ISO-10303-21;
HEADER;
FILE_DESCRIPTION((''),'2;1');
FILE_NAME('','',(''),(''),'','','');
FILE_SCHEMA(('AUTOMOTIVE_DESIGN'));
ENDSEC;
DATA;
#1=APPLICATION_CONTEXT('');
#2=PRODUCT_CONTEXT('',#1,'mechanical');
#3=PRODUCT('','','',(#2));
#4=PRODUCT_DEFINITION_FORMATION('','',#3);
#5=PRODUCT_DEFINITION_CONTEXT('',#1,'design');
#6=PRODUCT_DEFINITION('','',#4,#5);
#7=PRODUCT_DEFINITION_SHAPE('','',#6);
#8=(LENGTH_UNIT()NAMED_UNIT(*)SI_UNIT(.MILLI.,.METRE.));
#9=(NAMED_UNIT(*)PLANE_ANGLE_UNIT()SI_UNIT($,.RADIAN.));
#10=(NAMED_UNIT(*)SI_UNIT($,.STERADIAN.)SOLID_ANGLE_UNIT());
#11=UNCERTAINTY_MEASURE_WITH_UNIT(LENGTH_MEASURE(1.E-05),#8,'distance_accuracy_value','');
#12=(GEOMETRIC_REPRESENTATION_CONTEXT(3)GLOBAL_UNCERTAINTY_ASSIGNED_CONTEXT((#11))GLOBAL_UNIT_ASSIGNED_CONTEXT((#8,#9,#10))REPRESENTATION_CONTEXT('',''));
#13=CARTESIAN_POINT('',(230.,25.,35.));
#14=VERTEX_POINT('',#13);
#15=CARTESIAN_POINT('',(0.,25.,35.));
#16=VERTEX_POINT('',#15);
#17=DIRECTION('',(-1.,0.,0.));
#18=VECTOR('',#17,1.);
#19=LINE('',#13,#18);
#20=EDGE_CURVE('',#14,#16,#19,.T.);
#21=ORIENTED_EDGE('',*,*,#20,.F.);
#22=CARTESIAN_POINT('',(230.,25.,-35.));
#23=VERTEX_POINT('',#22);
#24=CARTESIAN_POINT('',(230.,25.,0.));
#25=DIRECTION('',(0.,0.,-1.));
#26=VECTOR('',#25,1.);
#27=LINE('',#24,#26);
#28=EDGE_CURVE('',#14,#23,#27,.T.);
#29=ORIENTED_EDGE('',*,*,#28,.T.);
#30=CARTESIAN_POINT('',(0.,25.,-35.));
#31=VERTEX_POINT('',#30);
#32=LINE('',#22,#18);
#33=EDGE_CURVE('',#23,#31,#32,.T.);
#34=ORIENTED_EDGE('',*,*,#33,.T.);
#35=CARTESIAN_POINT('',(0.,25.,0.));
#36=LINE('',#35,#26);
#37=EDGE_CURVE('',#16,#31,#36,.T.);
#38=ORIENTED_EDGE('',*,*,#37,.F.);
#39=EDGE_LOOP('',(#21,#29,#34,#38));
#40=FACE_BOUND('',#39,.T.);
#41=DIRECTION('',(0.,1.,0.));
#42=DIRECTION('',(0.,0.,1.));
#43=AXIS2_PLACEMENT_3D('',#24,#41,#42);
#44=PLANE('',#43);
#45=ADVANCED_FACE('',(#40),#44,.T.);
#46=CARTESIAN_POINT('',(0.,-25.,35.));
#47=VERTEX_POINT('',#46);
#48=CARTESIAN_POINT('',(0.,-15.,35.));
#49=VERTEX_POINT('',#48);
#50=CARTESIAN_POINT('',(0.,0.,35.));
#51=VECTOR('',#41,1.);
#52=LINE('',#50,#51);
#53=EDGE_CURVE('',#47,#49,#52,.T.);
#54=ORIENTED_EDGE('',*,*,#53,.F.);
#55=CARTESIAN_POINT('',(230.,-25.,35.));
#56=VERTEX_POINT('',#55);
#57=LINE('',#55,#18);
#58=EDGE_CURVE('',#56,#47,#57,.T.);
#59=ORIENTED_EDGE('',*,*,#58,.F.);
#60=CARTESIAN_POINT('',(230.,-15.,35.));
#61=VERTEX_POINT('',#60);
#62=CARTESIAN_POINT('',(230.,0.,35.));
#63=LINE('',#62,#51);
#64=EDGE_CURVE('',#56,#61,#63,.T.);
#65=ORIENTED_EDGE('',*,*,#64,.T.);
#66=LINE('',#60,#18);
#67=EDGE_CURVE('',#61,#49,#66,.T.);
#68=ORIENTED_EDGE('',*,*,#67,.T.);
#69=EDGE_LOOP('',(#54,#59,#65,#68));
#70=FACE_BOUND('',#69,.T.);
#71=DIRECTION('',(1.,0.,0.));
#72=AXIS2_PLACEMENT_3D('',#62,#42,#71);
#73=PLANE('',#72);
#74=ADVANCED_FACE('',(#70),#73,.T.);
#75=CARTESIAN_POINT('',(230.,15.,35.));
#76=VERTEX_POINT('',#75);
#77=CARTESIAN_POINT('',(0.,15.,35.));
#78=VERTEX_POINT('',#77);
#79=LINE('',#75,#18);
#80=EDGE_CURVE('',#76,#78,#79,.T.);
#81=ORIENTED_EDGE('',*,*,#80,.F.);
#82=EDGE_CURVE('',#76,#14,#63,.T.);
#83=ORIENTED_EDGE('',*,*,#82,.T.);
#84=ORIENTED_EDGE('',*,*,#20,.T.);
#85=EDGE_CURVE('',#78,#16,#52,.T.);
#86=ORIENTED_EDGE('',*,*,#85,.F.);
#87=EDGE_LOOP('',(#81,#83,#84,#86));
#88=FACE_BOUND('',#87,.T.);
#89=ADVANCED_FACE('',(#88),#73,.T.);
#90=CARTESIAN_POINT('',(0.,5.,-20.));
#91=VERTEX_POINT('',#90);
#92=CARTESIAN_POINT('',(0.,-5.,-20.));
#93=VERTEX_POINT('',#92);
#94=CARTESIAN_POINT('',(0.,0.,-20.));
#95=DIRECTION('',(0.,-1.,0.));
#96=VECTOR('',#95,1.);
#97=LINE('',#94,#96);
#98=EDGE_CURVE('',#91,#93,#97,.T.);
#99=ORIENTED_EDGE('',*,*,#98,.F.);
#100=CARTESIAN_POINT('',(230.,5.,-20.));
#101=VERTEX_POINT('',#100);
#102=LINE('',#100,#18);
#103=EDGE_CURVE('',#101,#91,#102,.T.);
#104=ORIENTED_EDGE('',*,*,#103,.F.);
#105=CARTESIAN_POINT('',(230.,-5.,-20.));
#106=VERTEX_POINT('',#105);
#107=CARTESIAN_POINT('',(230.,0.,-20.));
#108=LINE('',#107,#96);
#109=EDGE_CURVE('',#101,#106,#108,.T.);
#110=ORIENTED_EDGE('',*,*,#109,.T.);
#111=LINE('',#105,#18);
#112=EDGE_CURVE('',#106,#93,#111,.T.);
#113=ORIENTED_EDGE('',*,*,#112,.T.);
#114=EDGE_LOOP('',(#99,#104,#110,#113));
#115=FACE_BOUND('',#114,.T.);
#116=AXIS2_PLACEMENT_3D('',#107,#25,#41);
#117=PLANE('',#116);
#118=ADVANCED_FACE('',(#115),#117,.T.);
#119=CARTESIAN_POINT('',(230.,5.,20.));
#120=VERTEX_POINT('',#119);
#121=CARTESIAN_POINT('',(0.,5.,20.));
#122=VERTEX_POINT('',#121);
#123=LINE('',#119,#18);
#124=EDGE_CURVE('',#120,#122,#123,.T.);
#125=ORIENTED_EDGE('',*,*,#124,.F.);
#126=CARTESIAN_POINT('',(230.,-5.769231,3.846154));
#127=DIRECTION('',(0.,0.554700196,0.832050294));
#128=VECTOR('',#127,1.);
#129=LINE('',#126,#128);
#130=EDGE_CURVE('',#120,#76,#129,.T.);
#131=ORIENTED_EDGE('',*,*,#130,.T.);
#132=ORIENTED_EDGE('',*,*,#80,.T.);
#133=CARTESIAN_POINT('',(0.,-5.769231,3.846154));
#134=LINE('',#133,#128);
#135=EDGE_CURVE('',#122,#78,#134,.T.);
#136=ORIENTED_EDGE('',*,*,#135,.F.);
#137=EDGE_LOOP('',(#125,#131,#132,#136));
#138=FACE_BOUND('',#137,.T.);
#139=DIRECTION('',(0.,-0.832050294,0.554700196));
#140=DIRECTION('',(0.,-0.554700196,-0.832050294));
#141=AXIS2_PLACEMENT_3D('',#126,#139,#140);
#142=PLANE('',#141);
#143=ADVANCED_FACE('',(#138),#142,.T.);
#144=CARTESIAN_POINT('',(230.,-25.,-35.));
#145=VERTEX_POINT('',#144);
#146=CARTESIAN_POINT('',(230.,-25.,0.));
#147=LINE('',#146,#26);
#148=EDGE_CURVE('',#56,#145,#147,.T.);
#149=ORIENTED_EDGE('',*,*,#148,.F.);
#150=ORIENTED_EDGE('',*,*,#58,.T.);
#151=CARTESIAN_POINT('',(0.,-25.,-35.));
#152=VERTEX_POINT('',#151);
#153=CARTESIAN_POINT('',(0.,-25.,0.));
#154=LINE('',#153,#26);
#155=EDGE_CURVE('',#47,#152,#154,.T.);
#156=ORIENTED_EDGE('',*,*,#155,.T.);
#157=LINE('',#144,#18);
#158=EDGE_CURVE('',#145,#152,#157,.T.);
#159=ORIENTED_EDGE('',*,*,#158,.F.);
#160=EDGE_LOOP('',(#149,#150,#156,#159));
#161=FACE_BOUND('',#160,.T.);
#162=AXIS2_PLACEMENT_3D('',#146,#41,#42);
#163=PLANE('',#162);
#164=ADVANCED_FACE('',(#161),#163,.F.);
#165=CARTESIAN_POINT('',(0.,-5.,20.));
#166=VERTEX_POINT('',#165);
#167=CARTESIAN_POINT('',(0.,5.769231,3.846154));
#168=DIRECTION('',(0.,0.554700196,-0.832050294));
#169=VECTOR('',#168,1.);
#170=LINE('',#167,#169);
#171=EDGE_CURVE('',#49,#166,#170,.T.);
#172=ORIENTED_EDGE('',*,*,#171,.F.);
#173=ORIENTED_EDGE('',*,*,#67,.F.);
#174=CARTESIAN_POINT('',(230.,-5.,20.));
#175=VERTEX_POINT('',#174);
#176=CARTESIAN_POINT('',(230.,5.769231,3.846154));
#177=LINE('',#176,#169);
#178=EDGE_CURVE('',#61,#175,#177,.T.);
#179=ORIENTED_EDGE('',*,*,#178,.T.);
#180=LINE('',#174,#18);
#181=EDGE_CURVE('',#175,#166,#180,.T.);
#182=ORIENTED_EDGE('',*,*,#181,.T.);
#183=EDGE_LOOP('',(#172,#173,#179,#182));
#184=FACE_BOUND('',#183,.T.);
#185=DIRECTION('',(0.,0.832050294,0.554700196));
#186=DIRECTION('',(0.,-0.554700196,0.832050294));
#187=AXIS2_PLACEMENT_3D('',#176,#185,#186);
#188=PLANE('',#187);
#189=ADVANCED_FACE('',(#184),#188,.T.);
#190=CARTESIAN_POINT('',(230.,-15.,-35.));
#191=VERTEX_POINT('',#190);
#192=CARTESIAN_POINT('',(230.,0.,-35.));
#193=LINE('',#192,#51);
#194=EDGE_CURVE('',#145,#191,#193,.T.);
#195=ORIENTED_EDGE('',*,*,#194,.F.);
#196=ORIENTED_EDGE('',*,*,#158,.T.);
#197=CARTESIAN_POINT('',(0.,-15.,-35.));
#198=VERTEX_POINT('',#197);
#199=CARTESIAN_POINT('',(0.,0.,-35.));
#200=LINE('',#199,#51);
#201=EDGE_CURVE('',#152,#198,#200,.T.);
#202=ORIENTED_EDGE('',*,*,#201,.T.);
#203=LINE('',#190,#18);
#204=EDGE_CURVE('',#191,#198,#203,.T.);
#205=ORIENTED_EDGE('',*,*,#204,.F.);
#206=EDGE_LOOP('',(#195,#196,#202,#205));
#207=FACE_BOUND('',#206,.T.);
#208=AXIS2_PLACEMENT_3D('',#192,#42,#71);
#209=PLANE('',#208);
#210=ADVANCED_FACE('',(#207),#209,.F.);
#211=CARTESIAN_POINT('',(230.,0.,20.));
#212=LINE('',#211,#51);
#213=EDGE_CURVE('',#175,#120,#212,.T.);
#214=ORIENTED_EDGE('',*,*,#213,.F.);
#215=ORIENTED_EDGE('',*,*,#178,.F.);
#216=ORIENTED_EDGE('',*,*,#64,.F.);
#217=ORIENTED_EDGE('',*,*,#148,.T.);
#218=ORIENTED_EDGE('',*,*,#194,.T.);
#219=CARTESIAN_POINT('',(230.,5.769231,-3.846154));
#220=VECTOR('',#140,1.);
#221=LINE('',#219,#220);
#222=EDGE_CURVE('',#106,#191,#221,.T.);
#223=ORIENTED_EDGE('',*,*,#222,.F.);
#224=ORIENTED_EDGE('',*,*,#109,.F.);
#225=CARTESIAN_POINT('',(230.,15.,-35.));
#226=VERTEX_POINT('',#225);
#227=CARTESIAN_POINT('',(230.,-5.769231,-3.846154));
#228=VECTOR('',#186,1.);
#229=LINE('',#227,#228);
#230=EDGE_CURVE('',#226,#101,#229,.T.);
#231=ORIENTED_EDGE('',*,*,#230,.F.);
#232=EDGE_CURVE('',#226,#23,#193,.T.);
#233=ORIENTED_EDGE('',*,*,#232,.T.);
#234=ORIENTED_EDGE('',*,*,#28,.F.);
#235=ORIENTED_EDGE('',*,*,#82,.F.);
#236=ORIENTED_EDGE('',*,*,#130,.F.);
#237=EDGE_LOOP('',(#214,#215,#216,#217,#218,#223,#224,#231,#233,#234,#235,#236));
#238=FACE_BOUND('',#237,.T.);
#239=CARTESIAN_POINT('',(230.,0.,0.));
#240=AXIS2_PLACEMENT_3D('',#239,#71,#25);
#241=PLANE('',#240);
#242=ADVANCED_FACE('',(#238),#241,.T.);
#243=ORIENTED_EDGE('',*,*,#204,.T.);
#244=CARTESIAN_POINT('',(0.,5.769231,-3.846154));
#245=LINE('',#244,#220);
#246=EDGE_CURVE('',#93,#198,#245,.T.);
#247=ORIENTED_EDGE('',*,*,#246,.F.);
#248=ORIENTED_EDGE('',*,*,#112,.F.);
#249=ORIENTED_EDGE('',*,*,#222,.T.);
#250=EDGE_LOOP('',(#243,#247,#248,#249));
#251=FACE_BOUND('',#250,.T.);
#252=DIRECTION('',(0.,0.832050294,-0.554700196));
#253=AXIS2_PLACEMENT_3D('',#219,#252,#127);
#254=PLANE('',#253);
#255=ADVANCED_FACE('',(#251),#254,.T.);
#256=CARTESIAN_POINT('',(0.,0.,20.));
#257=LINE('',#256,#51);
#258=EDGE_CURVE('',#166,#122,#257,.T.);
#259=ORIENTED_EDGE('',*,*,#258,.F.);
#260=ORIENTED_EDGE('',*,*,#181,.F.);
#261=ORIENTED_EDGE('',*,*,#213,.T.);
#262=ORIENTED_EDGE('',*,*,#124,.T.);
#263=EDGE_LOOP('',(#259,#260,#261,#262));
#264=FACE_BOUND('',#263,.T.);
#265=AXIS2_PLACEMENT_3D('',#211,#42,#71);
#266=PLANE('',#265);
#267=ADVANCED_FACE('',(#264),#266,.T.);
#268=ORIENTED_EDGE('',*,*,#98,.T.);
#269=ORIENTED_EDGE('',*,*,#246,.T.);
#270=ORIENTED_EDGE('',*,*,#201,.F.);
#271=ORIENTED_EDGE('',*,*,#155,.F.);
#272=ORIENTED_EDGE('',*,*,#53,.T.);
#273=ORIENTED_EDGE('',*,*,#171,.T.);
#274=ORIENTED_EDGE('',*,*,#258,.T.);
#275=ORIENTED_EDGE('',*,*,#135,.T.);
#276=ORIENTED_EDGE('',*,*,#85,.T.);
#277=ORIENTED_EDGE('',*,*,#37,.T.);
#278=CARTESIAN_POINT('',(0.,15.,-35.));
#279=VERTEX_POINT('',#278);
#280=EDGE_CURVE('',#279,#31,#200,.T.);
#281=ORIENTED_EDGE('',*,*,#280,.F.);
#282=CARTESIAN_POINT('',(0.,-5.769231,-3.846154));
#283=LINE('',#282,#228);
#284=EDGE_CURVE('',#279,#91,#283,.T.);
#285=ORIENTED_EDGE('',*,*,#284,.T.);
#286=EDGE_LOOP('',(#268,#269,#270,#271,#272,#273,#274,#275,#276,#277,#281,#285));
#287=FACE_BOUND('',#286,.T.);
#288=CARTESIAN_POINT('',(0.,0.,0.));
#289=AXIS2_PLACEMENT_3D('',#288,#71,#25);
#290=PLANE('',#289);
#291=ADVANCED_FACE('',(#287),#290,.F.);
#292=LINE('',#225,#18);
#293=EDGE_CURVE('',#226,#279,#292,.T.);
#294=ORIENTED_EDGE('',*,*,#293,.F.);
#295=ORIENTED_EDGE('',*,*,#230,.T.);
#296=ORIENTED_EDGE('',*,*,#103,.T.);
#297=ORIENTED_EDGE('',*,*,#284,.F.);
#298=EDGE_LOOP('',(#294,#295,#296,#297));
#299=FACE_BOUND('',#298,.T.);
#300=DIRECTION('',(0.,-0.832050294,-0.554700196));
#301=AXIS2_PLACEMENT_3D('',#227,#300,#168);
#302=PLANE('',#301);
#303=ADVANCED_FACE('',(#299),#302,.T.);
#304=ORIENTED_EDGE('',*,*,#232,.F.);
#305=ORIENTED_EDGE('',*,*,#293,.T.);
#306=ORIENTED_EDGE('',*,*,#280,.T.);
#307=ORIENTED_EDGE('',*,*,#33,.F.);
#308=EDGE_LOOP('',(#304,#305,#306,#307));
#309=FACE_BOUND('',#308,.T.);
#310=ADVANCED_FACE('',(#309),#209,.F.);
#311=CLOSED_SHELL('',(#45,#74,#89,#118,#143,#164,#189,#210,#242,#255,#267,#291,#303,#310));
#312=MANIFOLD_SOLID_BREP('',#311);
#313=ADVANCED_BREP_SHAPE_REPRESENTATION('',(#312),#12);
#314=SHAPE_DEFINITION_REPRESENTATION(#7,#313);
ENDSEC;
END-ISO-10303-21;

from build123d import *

# Parameters (mm, degrees)
SALIENTE_EXTRUIR1_DEPTH = 230


with BuildPart() as part:
    # Croquis1 → Saliente-Extruir1 (new body)
    with BuildSketch(Plane(origin=(0, 0, 0), x_dir=(0, 0, -1), z_dir=(1, 0, 0))):
        Polygon((-20, -5), (-35, -15), (-35, -25), (35, -25), (35, -15), (20, -5), (20, 5), (35, 15), (35, 25), (-35, 25), (-35, 15), (-20, 5), align=None)
    extrude(amount=SALIENTE_EXTRUIR1_DEPTH)


solid = part.part
